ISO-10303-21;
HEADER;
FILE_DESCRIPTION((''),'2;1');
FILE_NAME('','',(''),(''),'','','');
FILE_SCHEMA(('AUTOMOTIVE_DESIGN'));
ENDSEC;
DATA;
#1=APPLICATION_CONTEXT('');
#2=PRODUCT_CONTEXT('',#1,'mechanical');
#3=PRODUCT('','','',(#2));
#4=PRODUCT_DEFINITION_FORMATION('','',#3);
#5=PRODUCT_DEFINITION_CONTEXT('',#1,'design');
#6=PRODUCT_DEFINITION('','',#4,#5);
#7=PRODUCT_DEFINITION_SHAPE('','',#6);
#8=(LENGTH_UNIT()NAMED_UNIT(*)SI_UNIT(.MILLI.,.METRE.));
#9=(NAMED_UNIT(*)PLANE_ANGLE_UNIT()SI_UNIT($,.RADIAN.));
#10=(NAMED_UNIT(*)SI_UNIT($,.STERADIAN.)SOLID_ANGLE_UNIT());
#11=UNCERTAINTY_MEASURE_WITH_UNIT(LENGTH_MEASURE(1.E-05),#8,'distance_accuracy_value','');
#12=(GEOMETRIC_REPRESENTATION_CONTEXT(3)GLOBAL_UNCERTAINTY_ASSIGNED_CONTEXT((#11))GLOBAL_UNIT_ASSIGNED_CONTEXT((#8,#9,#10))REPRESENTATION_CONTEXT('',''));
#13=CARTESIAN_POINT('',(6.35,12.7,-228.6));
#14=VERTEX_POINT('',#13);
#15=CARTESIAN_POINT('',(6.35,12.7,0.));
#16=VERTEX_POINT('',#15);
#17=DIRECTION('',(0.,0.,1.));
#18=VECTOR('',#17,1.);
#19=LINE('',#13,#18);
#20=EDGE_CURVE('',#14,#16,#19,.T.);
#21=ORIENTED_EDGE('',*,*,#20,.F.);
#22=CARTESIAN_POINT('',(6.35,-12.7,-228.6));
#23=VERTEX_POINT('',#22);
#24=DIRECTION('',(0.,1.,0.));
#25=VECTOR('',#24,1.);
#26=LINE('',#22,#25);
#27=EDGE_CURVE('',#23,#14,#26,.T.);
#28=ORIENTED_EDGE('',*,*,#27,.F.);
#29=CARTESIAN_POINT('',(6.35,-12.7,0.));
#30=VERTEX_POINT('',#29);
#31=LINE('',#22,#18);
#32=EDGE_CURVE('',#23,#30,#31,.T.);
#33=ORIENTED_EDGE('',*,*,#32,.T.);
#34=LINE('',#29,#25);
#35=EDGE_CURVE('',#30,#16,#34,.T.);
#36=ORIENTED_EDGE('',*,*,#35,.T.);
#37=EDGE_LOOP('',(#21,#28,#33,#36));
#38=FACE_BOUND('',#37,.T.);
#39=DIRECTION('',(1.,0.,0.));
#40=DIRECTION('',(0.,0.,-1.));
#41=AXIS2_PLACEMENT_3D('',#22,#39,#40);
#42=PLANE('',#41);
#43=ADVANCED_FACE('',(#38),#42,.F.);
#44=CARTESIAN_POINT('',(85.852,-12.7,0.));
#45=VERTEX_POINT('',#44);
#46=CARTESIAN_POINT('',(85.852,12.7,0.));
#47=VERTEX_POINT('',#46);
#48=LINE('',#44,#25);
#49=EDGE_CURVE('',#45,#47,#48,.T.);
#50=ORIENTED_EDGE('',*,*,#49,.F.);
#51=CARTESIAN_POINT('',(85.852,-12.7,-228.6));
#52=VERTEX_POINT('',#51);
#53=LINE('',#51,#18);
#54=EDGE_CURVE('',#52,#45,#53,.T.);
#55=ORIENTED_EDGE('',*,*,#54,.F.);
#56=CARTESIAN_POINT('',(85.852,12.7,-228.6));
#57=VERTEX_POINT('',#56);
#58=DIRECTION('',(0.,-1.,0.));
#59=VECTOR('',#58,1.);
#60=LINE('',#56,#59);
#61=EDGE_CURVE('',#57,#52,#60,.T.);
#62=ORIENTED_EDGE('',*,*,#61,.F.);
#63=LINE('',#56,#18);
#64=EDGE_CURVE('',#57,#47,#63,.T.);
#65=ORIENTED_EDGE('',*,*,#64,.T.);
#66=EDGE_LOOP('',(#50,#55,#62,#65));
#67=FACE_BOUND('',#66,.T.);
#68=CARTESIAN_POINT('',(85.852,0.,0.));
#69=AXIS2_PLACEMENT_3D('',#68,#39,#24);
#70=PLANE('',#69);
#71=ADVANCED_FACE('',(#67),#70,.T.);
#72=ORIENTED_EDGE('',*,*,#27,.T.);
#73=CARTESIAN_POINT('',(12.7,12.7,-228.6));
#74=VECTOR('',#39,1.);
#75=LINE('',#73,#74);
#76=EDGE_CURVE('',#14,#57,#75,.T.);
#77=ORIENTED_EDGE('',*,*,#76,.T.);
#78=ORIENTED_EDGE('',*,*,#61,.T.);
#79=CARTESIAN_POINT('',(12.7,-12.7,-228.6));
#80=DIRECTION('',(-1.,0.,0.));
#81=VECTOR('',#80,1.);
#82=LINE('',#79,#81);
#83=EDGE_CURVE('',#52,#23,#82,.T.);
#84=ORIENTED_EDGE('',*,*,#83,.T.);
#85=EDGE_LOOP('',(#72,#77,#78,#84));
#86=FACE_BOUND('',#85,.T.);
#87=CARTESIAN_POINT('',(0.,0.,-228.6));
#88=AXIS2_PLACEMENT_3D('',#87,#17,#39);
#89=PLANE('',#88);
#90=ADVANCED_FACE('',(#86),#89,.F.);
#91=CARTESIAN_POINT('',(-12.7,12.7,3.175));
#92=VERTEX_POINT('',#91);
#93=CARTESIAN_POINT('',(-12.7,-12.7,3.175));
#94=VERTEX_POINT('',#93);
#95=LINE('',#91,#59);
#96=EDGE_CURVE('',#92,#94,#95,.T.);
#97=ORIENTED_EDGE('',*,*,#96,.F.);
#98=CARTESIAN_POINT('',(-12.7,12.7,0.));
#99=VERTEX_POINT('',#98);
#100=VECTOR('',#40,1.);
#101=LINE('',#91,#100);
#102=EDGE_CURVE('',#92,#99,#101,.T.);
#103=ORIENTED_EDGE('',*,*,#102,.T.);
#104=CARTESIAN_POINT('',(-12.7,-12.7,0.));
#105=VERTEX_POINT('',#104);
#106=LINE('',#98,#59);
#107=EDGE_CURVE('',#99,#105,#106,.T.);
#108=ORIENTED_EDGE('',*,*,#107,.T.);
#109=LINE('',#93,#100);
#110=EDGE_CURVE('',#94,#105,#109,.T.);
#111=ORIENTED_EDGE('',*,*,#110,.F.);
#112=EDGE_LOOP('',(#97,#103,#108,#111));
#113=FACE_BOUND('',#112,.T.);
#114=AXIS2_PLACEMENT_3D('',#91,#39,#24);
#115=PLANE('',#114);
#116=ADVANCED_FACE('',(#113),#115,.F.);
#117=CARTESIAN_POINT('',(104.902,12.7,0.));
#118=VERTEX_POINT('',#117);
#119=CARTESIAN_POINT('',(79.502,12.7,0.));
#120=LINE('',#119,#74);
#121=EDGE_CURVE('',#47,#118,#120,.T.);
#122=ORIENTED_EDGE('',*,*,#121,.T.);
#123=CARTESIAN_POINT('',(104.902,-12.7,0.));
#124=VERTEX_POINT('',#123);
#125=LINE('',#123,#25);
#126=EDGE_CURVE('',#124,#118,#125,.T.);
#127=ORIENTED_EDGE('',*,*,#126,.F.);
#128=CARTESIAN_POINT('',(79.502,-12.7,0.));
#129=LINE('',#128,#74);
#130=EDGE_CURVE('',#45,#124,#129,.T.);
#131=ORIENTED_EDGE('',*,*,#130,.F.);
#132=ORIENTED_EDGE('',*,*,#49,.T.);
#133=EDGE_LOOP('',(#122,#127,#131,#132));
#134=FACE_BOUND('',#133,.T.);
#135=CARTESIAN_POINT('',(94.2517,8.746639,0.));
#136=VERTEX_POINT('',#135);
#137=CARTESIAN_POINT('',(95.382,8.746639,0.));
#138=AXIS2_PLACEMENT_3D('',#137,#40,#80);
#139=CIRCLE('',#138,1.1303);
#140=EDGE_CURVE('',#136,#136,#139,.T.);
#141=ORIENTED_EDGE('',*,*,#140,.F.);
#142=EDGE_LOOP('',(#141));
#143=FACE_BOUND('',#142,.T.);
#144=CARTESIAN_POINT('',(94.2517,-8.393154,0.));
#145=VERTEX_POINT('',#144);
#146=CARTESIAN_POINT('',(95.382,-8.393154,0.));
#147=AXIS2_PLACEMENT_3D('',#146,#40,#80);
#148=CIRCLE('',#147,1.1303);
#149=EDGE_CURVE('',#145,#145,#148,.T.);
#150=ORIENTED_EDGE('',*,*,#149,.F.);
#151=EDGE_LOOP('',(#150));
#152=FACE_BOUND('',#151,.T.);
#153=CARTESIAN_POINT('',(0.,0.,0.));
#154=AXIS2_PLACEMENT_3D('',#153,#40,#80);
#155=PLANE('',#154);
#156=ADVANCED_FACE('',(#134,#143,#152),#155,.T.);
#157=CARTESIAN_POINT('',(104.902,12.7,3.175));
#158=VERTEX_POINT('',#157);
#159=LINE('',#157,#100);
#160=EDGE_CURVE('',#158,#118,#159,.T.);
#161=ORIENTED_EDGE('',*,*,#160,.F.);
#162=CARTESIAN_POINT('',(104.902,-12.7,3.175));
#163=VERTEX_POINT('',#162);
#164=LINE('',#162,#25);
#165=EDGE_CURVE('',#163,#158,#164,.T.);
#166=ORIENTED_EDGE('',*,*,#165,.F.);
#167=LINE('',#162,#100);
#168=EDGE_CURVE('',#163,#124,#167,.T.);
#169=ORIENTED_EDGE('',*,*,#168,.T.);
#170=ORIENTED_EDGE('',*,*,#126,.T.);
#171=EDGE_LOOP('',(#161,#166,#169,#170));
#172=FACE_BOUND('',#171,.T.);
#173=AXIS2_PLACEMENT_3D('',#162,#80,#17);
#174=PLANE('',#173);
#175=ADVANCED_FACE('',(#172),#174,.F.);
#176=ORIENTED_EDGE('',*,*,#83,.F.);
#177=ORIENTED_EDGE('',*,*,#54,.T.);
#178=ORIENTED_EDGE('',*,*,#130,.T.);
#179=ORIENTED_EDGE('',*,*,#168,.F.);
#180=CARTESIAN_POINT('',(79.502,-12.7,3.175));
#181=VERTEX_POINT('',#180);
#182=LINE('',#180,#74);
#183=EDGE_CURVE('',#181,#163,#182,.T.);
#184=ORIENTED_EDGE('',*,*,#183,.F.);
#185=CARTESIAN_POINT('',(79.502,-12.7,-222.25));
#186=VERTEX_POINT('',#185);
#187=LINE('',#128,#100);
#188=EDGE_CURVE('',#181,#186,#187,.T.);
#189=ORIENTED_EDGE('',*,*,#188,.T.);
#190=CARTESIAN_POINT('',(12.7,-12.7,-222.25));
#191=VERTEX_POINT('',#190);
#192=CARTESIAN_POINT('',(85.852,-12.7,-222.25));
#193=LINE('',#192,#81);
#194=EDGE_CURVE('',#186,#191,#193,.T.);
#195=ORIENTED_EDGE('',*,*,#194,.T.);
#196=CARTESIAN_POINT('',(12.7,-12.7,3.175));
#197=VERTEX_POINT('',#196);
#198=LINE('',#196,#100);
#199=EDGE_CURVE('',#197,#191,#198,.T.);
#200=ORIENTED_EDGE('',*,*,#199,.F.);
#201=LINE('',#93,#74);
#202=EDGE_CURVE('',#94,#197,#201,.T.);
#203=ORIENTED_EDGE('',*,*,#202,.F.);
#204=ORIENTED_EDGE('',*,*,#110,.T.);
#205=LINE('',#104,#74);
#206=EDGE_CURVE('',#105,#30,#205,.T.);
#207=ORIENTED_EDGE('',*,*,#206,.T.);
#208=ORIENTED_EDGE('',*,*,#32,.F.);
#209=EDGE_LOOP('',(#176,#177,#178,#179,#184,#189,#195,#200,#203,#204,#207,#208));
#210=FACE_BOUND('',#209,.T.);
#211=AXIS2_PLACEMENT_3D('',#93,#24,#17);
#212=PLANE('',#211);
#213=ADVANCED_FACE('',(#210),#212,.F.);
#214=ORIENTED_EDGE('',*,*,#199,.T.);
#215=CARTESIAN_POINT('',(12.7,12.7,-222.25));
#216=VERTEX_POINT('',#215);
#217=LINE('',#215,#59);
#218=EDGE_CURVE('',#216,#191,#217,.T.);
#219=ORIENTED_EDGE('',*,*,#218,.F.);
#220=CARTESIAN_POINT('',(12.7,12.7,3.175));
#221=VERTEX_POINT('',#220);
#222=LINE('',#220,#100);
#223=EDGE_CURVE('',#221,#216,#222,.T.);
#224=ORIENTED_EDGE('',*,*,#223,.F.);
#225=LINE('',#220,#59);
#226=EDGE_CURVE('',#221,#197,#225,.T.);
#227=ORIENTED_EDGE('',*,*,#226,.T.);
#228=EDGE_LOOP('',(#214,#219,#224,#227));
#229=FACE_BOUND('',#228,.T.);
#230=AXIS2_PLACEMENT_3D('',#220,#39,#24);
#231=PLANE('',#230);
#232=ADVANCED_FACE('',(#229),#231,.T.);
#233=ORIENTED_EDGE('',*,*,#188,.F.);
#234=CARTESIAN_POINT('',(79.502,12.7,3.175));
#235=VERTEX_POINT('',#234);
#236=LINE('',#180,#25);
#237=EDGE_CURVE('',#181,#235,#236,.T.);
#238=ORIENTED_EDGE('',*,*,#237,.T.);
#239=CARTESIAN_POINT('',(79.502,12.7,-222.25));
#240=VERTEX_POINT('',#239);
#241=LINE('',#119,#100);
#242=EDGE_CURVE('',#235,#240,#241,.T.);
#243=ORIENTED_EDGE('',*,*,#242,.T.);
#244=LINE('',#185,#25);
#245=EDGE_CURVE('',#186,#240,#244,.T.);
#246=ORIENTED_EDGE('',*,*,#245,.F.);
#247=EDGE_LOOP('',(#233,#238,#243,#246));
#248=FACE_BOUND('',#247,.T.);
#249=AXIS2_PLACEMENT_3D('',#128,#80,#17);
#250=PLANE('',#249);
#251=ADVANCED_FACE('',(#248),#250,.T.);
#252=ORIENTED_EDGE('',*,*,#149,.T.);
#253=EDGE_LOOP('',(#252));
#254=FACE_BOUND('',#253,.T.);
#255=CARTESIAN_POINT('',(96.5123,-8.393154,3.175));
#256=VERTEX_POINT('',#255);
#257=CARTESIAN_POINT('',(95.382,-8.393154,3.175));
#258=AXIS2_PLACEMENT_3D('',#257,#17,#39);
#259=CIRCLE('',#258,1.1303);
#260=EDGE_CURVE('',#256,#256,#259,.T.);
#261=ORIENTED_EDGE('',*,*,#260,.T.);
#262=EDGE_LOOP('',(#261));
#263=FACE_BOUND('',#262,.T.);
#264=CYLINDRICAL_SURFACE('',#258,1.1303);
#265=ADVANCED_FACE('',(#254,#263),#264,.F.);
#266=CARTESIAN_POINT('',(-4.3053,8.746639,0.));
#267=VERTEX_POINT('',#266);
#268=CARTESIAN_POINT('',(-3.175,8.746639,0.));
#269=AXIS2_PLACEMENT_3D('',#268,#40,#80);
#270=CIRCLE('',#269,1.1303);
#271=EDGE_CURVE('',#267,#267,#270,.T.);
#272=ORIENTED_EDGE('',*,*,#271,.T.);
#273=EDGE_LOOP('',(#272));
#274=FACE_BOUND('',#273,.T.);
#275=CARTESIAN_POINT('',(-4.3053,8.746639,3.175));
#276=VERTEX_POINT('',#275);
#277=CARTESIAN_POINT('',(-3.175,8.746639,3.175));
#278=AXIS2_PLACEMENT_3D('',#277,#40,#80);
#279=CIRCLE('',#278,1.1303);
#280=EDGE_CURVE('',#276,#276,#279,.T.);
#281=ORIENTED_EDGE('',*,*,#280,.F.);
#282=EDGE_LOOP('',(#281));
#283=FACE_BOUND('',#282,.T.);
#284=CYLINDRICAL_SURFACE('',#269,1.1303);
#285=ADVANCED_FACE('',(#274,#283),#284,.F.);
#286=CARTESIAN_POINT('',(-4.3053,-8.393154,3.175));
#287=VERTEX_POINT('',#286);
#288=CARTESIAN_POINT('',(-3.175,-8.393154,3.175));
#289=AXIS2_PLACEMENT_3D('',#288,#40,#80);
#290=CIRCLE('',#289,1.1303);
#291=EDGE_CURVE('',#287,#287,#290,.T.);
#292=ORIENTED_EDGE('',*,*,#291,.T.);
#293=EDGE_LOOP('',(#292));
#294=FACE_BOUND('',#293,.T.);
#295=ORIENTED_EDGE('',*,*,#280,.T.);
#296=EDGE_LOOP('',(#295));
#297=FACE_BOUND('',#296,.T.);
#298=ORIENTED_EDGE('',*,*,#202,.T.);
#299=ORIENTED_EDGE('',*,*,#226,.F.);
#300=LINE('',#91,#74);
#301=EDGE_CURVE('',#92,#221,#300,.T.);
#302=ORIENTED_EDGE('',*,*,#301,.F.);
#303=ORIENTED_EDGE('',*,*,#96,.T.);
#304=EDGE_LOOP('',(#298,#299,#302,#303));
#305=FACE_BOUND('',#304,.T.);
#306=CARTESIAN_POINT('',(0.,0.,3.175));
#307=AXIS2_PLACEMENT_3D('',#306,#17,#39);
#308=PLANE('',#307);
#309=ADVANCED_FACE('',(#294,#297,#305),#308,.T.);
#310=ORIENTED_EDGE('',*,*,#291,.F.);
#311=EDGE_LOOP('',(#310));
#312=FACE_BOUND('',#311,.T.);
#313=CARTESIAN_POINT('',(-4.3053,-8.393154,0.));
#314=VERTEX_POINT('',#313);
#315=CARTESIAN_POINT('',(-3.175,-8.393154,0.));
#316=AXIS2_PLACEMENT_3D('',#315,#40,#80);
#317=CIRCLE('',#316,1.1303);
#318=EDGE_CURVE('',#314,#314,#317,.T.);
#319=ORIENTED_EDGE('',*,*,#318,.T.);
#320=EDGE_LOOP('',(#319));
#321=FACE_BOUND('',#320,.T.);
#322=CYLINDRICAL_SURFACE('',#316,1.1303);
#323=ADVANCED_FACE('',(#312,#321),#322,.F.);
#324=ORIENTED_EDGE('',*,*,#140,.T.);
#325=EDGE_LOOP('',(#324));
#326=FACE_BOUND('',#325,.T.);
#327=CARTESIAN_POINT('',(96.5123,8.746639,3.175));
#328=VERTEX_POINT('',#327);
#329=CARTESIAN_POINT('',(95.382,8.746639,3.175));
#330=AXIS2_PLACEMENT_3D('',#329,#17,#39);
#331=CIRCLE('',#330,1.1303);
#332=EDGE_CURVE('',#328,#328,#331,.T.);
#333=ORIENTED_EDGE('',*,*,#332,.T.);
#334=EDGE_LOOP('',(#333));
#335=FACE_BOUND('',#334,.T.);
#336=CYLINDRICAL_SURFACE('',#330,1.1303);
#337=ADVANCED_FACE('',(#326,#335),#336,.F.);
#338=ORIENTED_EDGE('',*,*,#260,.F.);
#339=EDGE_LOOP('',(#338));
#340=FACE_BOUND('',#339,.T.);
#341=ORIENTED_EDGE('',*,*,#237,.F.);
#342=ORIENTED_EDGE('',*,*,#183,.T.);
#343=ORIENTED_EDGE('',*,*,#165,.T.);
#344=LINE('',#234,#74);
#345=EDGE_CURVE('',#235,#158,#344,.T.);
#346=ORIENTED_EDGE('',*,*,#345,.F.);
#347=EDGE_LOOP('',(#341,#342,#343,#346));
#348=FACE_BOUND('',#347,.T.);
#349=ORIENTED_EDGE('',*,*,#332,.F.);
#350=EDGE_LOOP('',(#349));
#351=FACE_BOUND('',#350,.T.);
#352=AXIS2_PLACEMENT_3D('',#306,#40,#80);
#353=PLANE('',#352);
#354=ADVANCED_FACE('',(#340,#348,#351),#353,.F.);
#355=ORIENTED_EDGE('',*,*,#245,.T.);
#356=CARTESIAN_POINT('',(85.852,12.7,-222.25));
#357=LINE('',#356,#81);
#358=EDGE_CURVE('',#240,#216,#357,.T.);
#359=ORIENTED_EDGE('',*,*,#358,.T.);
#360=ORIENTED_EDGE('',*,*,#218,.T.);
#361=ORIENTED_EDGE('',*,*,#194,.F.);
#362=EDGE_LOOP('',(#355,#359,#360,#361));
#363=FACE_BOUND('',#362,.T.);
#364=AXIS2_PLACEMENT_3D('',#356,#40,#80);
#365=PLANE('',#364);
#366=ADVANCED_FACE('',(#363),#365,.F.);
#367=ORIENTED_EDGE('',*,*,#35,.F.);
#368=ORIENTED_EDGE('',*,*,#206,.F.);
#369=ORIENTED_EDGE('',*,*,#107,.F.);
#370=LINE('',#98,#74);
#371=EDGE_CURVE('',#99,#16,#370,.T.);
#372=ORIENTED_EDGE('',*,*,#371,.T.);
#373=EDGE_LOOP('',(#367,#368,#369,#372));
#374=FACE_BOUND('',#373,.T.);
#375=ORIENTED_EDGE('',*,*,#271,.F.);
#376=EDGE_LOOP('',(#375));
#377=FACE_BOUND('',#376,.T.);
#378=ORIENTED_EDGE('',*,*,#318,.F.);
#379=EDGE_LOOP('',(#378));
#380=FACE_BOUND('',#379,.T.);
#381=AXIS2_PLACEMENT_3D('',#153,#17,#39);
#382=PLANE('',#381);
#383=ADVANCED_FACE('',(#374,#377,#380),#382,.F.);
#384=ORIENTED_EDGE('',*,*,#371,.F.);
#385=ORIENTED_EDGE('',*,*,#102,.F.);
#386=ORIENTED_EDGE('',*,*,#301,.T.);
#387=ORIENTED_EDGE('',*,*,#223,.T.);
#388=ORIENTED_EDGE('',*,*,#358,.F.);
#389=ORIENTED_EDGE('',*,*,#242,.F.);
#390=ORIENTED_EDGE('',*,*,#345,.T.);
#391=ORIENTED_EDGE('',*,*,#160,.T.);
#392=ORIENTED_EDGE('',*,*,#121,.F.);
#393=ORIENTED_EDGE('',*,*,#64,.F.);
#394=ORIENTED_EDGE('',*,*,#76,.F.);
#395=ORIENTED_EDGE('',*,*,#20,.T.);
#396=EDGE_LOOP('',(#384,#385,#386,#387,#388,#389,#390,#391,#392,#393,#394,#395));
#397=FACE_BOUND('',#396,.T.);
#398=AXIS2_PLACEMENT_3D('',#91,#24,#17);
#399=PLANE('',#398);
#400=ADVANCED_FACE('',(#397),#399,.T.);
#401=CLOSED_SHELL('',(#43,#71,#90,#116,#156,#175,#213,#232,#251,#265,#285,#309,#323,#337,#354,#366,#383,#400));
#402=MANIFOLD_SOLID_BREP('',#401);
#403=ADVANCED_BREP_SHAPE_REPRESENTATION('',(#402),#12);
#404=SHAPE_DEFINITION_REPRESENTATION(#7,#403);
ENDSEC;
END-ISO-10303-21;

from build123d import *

# Parameters (mm, degrees)
SKETCH1_W             = 25.4
SKETCH1_H             = 25.4
BOSS_EXTRUDE1_DEPTH   = 3.175
SKETCH3_W             = 6.35
SKETCH3_H             = 25.4
BOSS_EXTRUDE2_DEPTH   = 228.6
F_4_40_TAPPED_HOLE1_D = 2.2606
SKETCH7_W             = 6.35
SKETCH7_H             = 25.4
BOSS_EXTRUDE3_DEPTH   = 73.152
SKETCH9_W             = 6.35
SKETCH9_H             = 25.4
BOSS_EXTRUDE4_DEPTH   = 222.25
SKETCH10_W            = 25.4
SKETCH10_H            = 25.4
BOSS_EXTRUDE5_DEPTH   = 3.175
F_4_40_TAPPED_HOLE4_D = 2.2606
BOSS_EXTRUDE6_START   = -3.175
SKETCH16_R            = 1.1303
BOSS_EXTRUDE6_DEPTH   = 3.175


with BuildPart() as part:
    # Sketch1 → Boss-Extrude1 (new body)
    with BuildSketch(Plane.XY):
        Rectangle(SKETCH1_W, SKETCH1_H)
    extrude(amount=BOSS_EXTRUDE1_DEPTH)

    # Sketch3 → Boss-Extrude2 (add)
    with BuildSketch(Plane(origin=(0, 0, 0), x_dir=(-1, 0, 0), z_dir=(0, 0, -1))):
        with Locations((-9.525, 0)):
            Rectangle(SKETCH3_W, SKETCH3_H)
    extrude(amount=BOSS_EXTRUDE2_DEPTH)

    # #4-40 Tapped Hole1 (through all)
    with Locations(Plane(origin=(0, 0, 0), x_dir=(-1, 0, 0), z_dir=(0, 0, -1))):
        with Locations((3.175, 8.746639232), (3.175, -8.393153768)):
            Hole(F_4_40_TAPPED_HOLE1_D / 2)

    # Sketch7 → Boss-Extrude3 (add)
    with BuildSketch(Plane(origin=(12.7, 0, 0), x_dir=(0, 0, -1), z_dir=(1, 0, 0))):
        with Locations((225.425, 0)):
            Rectangle(SKETCH7_W, SKETCH7_H)
    extrude(amount=BOSS_EXTRUDE3_DEPTH)

    # Sketch9 → Boss-Extrude4 (add)
    with BuildSketch(Plane.XY.offset(-222.25)):
        with Locations((82.677, 0)):
            Rectangle(SKETCH9_W, SKETCH9_H)
    extrude(amount=BOSS_EXTRUDE4_DEPTH)

    # Sketch10 → Boss-Extrude5 (add)
    with BuildSketch(Plane.XY):
        with Locations((92.202, 0)):
            Rectangle(SKETCH10_W, SKETCH10_H)
    extrude(amount=BOSS_EXTRUDE5_DEPTH)

    # #4-40 Tapped Hole4 (through all)
    with Locations(Plane.XY.offset(3.175)):
        with Locations((100.484060812, 7.185260309), (95.382, 8.746639232), (95.382, -8.393153768)):
            Hole(F_4_40_TAPPED_HOLE4_D / 2)

    # Sketch16 → Boss-Extrude6 (add)
    with BuildSketch(Plane.XY.offset(3.175).offset(BOSS_EXTRUDE6_START)):
        with Locations((100.484060812, 7.185260309)):
            Circle(SKETCH16_R)
    extrude(amount=BOSS_EXTRUDE6_DEPTH)


solid = part.part
